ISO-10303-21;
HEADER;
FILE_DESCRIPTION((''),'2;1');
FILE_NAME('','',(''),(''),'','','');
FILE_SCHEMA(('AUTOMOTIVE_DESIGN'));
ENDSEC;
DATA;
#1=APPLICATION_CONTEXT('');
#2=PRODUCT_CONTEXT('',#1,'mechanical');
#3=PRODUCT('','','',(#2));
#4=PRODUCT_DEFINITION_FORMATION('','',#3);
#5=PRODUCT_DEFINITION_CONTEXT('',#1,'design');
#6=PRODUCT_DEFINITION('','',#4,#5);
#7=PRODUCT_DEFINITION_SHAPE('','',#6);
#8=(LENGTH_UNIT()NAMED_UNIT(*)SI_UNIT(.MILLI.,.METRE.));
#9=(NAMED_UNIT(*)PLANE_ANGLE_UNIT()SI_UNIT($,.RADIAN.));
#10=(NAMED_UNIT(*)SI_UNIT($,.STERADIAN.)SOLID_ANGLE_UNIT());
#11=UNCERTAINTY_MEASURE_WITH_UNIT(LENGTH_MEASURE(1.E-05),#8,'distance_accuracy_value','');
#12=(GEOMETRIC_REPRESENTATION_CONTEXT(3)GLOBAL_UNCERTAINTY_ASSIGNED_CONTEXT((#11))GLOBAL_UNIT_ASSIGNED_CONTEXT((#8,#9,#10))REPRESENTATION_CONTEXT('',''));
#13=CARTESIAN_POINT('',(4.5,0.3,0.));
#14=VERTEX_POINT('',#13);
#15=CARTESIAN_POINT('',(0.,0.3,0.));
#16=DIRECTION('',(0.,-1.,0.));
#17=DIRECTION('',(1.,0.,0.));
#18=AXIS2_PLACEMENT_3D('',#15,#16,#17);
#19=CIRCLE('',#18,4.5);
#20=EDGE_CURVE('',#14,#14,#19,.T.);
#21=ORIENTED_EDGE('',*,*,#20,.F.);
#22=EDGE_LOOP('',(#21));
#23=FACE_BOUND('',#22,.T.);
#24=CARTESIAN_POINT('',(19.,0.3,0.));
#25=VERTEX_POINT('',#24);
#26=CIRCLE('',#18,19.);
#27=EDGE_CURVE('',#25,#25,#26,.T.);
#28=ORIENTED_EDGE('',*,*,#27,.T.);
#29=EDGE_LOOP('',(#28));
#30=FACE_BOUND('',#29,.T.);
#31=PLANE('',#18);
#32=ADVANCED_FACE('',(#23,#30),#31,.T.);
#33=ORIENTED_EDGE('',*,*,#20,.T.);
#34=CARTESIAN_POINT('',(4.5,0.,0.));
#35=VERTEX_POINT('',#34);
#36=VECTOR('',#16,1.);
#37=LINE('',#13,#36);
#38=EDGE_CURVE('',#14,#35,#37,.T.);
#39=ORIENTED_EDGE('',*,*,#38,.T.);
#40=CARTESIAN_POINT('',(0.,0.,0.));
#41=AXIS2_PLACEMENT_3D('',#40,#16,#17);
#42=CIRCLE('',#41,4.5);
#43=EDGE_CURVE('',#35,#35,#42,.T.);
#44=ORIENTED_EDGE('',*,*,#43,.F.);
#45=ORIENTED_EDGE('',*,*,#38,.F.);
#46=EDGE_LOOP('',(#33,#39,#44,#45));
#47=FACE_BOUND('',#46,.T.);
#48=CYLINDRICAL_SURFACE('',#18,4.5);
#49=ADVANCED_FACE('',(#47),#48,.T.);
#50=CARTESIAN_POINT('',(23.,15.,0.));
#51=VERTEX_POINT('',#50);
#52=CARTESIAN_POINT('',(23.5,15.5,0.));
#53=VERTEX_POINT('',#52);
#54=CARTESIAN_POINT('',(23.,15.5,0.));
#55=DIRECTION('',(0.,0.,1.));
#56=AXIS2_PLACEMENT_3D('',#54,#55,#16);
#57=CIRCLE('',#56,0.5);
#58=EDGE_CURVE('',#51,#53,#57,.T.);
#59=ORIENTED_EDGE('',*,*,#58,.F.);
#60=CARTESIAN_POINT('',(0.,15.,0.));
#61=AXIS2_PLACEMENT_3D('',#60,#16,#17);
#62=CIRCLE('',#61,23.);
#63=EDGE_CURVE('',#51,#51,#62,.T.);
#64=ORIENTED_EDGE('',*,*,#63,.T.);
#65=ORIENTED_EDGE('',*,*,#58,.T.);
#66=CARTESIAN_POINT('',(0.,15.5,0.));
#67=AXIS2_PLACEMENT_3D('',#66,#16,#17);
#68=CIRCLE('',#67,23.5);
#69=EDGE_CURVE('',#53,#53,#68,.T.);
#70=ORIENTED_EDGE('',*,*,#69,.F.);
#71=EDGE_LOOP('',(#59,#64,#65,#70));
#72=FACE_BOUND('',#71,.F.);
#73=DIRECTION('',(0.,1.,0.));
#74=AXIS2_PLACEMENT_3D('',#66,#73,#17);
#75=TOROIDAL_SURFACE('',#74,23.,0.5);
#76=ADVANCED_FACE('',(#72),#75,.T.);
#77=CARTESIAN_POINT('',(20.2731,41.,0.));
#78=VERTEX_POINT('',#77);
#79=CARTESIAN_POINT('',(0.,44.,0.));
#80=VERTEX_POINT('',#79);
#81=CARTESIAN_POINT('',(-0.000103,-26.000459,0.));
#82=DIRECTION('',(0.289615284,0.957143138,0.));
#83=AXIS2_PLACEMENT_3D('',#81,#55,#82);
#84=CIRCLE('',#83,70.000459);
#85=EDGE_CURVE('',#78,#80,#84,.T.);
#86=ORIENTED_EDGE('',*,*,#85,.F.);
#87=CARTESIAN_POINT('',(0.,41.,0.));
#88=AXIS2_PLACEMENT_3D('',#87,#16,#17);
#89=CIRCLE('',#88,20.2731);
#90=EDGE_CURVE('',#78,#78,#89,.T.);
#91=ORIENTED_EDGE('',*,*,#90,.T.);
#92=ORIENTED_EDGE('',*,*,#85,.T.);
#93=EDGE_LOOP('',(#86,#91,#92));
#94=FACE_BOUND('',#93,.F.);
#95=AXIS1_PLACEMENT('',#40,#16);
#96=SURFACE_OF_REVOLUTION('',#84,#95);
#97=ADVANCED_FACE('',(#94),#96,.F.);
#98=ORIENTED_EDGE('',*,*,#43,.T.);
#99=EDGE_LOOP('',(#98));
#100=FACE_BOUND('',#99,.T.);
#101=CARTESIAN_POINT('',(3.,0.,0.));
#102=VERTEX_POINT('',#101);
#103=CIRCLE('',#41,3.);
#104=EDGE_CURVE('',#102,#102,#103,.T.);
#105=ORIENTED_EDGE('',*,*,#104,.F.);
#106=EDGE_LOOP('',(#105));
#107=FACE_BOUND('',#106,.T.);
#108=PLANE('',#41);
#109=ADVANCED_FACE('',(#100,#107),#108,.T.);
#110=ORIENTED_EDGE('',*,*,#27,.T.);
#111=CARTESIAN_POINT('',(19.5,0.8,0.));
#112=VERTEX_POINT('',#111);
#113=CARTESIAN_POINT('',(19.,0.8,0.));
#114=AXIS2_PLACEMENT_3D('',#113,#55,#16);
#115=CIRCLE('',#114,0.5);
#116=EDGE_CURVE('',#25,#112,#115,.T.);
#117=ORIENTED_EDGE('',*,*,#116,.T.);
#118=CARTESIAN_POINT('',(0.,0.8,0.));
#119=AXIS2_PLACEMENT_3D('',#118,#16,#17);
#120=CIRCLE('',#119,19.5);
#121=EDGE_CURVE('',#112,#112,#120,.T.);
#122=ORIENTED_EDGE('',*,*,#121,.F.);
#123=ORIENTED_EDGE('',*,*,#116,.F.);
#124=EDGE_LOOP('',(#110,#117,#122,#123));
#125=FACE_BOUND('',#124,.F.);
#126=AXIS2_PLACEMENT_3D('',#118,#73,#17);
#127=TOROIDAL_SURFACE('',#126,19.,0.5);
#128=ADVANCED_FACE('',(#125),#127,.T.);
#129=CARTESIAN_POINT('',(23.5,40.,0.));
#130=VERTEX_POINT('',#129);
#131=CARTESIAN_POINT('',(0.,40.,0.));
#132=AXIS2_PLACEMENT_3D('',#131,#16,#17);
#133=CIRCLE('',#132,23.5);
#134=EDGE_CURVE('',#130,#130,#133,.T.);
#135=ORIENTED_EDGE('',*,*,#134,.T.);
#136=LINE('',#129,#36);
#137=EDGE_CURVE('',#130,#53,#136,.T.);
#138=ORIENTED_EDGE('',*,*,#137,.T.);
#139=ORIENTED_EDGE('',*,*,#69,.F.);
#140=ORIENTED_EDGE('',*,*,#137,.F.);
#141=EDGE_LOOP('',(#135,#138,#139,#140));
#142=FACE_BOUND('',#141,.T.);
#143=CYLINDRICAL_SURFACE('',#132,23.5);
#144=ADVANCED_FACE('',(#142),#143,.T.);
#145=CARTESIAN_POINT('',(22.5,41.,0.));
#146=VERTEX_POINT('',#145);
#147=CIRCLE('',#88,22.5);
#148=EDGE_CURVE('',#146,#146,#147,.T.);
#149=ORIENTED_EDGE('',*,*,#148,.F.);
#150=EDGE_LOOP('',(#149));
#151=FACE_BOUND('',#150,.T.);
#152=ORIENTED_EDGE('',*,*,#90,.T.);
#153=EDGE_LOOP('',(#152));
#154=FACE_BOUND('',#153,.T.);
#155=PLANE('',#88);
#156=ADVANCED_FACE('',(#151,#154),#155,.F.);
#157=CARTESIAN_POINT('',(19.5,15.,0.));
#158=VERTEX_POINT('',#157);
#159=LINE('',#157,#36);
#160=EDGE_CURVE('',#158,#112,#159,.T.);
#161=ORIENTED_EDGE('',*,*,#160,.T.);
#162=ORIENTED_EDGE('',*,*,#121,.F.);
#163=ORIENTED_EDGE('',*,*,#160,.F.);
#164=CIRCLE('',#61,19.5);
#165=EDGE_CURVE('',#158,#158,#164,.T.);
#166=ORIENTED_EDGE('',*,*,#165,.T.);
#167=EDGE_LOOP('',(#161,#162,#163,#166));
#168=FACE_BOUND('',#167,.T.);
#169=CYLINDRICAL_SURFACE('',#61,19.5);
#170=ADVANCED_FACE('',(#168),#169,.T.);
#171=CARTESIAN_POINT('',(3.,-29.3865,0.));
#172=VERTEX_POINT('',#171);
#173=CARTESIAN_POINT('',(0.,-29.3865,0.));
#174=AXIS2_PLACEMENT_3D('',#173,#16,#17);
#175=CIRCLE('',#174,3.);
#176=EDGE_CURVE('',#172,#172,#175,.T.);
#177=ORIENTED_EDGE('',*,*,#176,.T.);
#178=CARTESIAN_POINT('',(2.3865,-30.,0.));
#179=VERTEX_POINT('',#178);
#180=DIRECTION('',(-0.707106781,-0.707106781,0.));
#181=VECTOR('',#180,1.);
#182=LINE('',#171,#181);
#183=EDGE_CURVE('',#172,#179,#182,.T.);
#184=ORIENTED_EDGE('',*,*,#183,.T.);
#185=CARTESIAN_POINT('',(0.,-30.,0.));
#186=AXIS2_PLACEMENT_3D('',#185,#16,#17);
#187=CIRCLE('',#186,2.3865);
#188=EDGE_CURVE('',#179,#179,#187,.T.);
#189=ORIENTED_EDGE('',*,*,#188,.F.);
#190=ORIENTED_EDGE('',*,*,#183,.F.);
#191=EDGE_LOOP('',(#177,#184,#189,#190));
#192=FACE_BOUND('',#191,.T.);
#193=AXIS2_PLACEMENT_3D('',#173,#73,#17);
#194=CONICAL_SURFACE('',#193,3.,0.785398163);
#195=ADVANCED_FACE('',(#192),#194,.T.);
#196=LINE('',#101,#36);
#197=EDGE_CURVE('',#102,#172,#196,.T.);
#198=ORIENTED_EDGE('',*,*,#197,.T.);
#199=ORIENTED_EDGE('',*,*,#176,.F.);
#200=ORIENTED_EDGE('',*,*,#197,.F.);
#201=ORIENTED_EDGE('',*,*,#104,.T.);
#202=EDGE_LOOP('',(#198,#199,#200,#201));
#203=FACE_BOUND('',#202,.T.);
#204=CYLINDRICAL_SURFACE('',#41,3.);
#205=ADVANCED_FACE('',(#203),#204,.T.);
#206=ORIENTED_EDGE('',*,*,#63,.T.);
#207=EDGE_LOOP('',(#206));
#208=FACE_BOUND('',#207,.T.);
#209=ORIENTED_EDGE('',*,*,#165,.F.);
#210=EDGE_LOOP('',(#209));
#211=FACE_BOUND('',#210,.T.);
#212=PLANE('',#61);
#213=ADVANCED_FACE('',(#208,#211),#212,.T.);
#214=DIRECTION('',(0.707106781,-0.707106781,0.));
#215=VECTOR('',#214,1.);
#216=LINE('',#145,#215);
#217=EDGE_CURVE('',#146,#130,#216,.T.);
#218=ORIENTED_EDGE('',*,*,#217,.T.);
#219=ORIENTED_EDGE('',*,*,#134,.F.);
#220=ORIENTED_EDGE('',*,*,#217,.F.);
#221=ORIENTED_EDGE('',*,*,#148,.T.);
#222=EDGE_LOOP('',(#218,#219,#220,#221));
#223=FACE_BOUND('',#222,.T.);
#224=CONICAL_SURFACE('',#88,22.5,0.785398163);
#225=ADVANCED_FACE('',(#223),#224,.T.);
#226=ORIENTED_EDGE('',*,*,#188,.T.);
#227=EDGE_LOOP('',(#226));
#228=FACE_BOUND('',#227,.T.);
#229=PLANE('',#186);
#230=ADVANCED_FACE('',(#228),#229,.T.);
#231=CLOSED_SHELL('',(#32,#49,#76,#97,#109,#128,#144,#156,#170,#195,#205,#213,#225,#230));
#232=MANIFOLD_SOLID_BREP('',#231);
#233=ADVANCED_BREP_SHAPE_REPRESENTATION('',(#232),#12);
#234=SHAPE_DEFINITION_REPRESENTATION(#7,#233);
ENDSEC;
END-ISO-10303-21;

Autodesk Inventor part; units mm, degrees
ref_plane "YZ Plane" through (0, 0, 0) normal (1, 0, 0) x (0, 1, 0)
ref_plane "XZ Plane" through (0, 0, 0) normal (0, 1, 0) x (-1, 0, 0)
ref_plane "XY Plane" through (0, 0, 0) normal (0, 0, 1) x (1, 0, 0)
sketch "Sketch_1" plane through (0, 0, 0) normal (0, 0, 1) x (1, 0, 0)
  line L0 (0, 0) -> (0, 44)
  arc A0 (20.2731, 41) -> (0, 44) centre (0, -26) ccw
  line L1 (20.2731, 41) -> (22.5, 41)
  line L2 (22.5, 41) -> (23.5, 40)
  line L3 (23.5, 40) -> (23.5, 15.5)
  arc A1 (23, 15) -> (23.5, 15.5) centre (23, 15.5) ccw
  line L4 (23, 15) -> (19.5, 15)
  line L5 (19.5, 15) -> (19.5, 0.8)
  arc A2 (19, 0.3) -> (19.5, 0.8) centre (19, 0.8) ccw
  line L6 (19, 0.3) -> (4.5, 0.3)
  line L7 (4.5, 0.3) -> (4.5, 0)
  line L8 (4.5, 0) -> (0, 0)
  line L9 (0, 0) -> (0, 44)
revolve "Revolution1" add sketch "Sketch_1" angle 360 about axis through (0, 0, 0) along (0, -1, 0)
sketch "Sketch_2" plane through (0, 0, 0) normal (0, 0, 1) x (1, 0, 0)
  line L0 (0, -30) -> (0, 0)
  line L1 (0, 0) -> (3, 0)
  line L2 (3, 0) -> (3, -29.3865)
  line L3 (3, -29.3865) -> (2.3865, -30)
  line L4 (2.3865, -30) -> (0, -30)
  line L5 (0, -30) -> (0, 0)
revolve "Revolution2" add sketch "Sketch_2" angle 360 about axis through (0, -30, 0) along (0, -1, 0)
thread "Thread1" size "M6x1" class "6g" standard "ISO Metric profile" length 29 offset 1
properties part number "Torque limiting knob screw GN 5910-47-M6-30-1-SW"
